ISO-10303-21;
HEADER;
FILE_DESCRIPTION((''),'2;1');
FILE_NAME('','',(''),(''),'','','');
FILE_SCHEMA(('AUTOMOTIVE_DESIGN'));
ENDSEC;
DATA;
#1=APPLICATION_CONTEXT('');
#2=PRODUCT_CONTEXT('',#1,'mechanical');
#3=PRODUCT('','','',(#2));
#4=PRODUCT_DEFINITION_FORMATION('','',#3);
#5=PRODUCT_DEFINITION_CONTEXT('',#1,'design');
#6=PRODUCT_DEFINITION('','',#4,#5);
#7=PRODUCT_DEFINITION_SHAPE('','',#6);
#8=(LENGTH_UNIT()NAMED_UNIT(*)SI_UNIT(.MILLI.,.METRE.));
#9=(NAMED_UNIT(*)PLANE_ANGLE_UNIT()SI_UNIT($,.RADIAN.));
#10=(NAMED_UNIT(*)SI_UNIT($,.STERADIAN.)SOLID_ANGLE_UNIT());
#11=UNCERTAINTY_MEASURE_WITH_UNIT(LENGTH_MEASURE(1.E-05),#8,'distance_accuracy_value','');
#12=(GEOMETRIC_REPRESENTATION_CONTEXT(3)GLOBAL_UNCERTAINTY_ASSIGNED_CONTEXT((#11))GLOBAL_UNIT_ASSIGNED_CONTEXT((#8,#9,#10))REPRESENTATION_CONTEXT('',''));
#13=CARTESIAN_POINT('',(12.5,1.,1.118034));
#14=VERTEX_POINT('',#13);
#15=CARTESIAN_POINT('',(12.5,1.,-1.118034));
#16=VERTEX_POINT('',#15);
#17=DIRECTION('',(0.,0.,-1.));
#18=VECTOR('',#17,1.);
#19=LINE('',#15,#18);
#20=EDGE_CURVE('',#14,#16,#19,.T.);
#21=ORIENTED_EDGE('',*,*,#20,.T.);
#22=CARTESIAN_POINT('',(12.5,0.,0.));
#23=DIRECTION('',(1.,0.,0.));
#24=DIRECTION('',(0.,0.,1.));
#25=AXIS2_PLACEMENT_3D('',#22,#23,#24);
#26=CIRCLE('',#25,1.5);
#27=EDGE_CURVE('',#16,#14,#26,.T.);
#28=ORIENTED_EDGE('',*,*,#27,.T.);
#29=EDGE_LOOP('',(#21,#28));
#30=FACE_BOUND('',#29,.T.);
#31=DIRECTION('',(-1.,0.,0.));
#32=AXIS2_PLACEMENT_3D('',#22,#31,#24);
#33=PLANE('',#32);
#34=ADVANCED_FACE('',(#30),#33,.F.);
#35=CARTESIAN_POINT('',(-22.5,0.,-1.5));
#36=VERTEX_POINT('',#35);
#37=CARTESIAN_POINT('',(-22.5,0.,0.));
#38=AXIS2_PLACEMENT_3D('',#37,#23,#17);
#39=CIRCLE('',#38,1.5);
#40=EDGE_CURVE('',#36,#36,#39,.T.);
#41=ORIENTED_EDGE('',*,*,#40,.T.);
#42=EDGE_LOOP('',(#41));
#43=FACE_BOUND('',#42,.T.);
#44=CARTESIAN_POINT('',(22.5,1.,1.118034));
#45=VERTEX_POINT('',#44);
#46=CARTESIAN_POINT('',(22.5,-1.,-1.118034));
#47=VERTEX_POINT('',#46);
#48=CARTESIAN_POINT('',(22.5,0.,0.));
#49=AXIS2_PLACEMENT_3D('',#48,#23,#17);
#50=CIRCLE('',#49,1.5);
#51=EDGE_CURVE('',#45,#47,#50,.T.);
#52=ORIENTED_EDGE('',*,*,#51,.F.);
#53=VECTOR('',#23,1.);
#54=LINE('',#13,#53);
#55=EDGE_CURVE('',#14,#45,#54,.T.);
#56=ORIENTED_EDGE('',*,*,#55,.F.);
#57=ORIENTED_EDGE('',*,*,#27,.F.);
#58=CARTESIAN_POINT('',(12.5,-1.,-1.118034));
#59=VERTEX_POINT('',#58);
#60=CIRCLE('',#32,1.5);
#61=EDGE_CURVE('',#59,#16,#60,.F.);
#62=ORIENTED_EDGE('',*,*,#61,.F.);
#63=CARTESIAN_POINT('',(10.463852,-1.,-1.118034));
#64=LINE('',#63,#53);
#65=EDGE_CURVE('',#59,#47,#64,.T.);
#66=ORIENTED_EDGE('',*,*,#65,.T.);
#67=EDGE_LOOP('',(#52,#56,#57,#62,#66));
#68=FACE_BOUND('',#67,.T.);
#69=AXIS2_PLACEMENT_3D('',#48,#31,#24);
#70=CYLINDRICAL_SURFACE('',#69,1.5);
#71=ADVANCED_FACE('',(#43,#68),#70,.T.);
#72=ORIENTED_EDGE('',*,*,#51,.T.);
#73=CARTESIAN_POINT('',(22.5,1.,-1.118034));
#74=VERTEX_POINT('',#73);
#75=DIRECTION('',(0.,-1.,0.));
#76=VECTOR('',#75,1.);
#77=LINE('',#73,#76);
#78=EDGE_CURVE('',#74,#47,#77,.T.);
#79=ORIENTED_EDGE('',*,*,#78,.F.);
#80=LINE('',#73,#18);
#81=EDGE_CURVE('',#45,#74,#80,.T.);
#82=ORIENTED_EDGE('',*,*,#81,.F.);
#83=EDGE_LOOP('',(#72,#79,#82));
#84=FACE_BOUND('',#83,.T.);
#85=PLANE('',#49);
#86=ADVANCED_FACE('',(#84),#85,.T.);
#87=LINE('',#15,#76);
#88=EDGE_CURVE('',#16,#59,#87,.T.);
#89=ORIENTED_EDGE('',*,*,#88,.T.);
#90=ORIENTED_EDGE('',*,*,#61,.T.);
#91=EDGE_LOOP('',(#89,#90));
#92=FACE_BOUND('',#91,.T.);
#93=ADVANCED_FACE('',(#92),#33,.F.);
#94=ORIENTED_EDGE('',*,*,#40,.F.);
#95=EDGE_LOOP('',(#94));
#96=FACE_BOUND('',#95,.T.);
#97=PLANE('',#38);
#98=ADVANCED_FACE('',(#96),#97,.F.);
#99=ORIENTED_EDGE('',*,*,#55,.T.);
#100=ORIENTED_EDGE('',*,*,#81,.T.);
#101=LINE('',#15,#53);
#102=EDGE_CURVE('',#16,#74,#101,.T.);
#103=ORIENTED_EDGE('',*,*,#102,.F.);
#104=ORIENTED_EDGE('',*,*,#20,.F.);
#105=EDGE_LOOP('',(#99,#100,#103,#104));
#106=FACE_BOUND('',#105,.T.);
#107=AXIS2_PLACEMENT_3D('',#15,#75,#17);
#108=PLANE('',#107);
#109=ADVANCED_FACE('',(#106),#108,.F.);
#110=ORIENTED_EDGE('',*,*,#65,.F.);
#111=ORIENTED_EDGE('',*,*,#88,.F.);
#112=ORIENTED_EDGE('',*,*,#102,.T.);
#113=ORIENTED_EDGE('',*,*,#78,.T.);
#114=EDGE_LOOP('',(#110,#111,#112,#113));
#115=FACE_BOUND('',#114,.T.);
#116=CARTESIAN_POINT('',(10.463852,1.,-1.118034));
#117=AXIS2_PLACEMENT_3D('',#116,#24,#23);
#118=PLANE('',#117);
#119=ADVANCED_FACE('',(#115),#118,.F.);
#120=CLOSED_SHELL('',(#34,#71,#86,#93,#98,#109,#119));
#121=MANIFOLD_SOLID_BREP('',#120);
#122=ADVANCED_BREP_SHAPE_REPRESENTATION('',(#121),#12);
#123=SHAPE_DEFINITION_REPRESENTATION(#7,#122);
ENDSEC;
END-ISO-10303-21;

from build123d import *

# Parameters (mm, degrees)
SKETCH1_R           = 1.5
BOSS_EXTRUDE1_DEPTH = 22.5
CUT_EXTRUDE1_DEPTH  = 10
CUT_EXTRUDE2_DEPTH  = 10


with BuildPart() as part:
    # Sketch1 → Boss-Extrude1 (new body, symmetric)
    with BuildSketch(Plane(origin=(0, 0, 0), x_dir=(0, 0, -1), z_dir=(1, 0, 0))):
        Circle(SKETCH1_R)
    extrude(amount=BOSS_EXTRUDE1_DEPTH, both=True)

    # Sketch2 → Cut-Extrude1 (cut)
    with BuildSketch(Plane(origin=(22.5, 0, 0), x_dir=(0, 0, -1), z_dir=(1, 0, 0))):
        with BuildLine():
            Line((1.118033989, 1), (-1.118033989, 1))
            ThreePointArc((-1.118033989, 1), (0, 1.5), (1.118033989, 1))
        make_face()
    extrude(amount=-CUT_EXTRUDE1_DEPTH, mode=Mode.SUBTRACT)

    # Sketch3 → Cut-Extrude2 (cut)
    with BuildSketch(Plane(origin=(22.5, 0, 0), x_dir=(0, 0, -1), z_dir=(1, 0, 0))):
        with BuildLine():
            Line((1.118033989, 1), (1.118033989, -1))
            ThreePointArc((1.118033989, -1), (1.5, 0), (1.118033989, 1))
        make_face()
    extrude(amount=-CUT_EXTRUDE2_DEPTH, mode=Mode.SUBTRACT)


solid = part.part
